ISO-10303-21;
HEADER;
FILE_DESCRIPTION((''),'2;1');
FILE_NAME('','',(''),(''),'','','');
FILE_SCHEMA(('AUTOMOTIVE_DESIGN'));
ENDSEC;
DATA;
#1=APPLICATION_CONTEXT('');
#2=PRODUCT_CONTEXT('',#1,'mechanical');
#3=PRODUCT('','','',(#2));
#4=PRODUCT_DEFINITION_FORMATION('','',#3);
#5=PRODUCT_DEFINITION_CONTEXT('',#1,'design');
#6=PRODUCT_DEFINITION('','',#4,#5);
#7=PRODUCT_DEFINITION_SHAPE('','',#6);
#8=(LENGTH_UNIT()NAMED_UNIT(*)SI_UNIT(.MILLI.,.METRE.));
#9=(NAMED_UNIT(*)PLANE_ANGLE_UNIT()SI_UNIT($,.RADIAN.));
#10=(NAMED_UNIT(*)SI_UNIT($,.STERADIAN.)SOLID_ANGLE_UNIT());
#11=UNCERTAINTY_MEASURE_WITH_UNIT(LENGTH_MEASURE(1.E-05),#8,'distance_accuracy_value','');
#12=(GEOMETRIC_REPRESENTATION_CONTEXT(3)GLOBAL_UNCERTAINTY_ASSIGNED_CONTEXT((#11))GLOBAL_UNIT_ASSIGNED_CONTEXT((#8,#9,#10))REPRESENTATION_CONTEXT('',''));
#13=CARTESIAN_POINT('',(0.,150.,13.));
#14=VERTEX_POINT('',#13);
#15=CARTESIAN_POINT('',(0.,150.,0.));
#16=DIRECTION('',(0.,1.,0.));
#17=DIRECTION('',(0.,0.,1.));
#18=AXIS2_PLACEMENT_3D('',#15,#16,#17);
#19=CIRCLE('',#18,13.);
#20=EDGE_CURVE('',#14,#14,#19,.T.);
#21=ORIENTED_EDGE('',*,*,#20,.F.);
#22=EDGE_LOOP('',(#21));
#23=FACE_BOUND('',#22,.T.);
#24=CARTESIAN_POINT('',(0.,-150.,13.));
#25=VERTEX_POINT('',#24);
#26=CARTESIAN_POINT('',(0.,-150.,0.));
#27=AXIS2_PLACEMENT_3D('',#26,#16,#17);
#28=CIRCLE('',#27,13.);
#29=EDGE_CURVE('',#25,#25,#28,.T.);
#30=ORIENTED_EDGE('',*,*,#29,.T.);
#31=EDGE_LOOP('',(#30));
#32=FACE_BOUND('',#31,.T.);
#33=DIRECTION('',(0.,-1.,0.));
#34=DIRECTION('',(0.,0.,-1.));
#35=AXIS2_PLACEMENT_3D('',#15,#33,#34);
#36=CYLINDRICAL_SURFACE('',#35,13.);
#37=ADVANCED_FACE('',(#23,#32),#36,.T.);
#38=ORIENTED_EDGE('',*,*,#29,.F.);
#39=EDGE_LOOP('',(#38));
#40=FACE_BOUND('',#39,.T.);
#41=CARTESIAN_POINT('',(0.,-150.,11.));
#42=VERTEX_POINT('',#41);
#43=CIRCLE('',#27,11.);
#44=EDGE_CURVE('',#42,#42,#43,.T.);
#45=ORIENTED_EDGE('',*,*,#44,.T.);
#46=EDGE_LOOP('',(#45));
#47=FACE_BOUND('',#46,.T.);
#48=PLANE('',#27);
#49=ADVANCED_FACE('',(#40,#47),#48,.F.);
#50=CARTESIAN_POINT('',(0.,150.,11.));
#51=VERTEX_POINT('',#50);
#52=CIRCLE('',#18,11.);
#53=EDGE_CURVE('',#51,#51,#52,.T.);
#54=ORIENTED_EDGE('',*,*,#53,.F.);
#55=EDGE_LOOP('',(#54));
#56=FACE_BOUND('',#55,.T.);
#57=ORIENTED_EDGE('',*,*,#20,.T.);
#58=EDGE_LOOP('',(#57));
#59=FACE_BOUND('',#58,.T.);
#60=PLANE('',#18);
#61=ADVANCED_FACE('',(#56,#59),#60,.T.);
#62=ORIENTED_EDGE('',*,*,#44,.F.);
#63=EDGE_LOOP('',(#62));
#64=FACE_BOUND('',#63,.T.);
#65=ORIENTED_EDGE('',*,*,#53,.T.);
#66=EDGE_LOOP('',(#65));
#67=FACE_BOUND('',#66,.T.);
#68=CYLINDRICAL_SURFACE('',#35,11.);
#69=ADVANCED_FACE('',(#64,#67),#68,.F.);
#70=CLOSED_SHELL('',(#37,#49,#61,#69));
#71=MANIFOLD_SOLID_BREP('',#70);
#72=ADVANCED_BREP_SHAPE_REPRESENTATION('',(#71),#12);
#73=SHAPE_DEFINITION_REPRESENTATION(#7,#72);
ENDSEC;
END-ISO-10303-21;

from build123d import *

# Parameters (mm, degrees)
SKETCH1_R           = 13
SKETCH1_R_2         = 11
BOSS_EXTRUDE1_DEPTH = 150


with BuildPart() as part:
    # Sketch1 → Boss-Extrude1 (new, symmetric)
    with BuildSketch(Plane(origin=(0, 0, 0), x_dir=(1, 0, 0), z_dir=(0, 1, 0))):
        with Locations(Location((0, 0, 0), (0, 0, 270))):
            Circle(SKETCH1_R)
        with Locations(Location((0, 0, 0), (0, 0, 270))):
            Circle(SKETCH1_R_2, mode=Mode.SUBTRACT)
    extrude(amount=BOSS_EXTRUDE1_DEPTH, both=True)


solid = part.part
